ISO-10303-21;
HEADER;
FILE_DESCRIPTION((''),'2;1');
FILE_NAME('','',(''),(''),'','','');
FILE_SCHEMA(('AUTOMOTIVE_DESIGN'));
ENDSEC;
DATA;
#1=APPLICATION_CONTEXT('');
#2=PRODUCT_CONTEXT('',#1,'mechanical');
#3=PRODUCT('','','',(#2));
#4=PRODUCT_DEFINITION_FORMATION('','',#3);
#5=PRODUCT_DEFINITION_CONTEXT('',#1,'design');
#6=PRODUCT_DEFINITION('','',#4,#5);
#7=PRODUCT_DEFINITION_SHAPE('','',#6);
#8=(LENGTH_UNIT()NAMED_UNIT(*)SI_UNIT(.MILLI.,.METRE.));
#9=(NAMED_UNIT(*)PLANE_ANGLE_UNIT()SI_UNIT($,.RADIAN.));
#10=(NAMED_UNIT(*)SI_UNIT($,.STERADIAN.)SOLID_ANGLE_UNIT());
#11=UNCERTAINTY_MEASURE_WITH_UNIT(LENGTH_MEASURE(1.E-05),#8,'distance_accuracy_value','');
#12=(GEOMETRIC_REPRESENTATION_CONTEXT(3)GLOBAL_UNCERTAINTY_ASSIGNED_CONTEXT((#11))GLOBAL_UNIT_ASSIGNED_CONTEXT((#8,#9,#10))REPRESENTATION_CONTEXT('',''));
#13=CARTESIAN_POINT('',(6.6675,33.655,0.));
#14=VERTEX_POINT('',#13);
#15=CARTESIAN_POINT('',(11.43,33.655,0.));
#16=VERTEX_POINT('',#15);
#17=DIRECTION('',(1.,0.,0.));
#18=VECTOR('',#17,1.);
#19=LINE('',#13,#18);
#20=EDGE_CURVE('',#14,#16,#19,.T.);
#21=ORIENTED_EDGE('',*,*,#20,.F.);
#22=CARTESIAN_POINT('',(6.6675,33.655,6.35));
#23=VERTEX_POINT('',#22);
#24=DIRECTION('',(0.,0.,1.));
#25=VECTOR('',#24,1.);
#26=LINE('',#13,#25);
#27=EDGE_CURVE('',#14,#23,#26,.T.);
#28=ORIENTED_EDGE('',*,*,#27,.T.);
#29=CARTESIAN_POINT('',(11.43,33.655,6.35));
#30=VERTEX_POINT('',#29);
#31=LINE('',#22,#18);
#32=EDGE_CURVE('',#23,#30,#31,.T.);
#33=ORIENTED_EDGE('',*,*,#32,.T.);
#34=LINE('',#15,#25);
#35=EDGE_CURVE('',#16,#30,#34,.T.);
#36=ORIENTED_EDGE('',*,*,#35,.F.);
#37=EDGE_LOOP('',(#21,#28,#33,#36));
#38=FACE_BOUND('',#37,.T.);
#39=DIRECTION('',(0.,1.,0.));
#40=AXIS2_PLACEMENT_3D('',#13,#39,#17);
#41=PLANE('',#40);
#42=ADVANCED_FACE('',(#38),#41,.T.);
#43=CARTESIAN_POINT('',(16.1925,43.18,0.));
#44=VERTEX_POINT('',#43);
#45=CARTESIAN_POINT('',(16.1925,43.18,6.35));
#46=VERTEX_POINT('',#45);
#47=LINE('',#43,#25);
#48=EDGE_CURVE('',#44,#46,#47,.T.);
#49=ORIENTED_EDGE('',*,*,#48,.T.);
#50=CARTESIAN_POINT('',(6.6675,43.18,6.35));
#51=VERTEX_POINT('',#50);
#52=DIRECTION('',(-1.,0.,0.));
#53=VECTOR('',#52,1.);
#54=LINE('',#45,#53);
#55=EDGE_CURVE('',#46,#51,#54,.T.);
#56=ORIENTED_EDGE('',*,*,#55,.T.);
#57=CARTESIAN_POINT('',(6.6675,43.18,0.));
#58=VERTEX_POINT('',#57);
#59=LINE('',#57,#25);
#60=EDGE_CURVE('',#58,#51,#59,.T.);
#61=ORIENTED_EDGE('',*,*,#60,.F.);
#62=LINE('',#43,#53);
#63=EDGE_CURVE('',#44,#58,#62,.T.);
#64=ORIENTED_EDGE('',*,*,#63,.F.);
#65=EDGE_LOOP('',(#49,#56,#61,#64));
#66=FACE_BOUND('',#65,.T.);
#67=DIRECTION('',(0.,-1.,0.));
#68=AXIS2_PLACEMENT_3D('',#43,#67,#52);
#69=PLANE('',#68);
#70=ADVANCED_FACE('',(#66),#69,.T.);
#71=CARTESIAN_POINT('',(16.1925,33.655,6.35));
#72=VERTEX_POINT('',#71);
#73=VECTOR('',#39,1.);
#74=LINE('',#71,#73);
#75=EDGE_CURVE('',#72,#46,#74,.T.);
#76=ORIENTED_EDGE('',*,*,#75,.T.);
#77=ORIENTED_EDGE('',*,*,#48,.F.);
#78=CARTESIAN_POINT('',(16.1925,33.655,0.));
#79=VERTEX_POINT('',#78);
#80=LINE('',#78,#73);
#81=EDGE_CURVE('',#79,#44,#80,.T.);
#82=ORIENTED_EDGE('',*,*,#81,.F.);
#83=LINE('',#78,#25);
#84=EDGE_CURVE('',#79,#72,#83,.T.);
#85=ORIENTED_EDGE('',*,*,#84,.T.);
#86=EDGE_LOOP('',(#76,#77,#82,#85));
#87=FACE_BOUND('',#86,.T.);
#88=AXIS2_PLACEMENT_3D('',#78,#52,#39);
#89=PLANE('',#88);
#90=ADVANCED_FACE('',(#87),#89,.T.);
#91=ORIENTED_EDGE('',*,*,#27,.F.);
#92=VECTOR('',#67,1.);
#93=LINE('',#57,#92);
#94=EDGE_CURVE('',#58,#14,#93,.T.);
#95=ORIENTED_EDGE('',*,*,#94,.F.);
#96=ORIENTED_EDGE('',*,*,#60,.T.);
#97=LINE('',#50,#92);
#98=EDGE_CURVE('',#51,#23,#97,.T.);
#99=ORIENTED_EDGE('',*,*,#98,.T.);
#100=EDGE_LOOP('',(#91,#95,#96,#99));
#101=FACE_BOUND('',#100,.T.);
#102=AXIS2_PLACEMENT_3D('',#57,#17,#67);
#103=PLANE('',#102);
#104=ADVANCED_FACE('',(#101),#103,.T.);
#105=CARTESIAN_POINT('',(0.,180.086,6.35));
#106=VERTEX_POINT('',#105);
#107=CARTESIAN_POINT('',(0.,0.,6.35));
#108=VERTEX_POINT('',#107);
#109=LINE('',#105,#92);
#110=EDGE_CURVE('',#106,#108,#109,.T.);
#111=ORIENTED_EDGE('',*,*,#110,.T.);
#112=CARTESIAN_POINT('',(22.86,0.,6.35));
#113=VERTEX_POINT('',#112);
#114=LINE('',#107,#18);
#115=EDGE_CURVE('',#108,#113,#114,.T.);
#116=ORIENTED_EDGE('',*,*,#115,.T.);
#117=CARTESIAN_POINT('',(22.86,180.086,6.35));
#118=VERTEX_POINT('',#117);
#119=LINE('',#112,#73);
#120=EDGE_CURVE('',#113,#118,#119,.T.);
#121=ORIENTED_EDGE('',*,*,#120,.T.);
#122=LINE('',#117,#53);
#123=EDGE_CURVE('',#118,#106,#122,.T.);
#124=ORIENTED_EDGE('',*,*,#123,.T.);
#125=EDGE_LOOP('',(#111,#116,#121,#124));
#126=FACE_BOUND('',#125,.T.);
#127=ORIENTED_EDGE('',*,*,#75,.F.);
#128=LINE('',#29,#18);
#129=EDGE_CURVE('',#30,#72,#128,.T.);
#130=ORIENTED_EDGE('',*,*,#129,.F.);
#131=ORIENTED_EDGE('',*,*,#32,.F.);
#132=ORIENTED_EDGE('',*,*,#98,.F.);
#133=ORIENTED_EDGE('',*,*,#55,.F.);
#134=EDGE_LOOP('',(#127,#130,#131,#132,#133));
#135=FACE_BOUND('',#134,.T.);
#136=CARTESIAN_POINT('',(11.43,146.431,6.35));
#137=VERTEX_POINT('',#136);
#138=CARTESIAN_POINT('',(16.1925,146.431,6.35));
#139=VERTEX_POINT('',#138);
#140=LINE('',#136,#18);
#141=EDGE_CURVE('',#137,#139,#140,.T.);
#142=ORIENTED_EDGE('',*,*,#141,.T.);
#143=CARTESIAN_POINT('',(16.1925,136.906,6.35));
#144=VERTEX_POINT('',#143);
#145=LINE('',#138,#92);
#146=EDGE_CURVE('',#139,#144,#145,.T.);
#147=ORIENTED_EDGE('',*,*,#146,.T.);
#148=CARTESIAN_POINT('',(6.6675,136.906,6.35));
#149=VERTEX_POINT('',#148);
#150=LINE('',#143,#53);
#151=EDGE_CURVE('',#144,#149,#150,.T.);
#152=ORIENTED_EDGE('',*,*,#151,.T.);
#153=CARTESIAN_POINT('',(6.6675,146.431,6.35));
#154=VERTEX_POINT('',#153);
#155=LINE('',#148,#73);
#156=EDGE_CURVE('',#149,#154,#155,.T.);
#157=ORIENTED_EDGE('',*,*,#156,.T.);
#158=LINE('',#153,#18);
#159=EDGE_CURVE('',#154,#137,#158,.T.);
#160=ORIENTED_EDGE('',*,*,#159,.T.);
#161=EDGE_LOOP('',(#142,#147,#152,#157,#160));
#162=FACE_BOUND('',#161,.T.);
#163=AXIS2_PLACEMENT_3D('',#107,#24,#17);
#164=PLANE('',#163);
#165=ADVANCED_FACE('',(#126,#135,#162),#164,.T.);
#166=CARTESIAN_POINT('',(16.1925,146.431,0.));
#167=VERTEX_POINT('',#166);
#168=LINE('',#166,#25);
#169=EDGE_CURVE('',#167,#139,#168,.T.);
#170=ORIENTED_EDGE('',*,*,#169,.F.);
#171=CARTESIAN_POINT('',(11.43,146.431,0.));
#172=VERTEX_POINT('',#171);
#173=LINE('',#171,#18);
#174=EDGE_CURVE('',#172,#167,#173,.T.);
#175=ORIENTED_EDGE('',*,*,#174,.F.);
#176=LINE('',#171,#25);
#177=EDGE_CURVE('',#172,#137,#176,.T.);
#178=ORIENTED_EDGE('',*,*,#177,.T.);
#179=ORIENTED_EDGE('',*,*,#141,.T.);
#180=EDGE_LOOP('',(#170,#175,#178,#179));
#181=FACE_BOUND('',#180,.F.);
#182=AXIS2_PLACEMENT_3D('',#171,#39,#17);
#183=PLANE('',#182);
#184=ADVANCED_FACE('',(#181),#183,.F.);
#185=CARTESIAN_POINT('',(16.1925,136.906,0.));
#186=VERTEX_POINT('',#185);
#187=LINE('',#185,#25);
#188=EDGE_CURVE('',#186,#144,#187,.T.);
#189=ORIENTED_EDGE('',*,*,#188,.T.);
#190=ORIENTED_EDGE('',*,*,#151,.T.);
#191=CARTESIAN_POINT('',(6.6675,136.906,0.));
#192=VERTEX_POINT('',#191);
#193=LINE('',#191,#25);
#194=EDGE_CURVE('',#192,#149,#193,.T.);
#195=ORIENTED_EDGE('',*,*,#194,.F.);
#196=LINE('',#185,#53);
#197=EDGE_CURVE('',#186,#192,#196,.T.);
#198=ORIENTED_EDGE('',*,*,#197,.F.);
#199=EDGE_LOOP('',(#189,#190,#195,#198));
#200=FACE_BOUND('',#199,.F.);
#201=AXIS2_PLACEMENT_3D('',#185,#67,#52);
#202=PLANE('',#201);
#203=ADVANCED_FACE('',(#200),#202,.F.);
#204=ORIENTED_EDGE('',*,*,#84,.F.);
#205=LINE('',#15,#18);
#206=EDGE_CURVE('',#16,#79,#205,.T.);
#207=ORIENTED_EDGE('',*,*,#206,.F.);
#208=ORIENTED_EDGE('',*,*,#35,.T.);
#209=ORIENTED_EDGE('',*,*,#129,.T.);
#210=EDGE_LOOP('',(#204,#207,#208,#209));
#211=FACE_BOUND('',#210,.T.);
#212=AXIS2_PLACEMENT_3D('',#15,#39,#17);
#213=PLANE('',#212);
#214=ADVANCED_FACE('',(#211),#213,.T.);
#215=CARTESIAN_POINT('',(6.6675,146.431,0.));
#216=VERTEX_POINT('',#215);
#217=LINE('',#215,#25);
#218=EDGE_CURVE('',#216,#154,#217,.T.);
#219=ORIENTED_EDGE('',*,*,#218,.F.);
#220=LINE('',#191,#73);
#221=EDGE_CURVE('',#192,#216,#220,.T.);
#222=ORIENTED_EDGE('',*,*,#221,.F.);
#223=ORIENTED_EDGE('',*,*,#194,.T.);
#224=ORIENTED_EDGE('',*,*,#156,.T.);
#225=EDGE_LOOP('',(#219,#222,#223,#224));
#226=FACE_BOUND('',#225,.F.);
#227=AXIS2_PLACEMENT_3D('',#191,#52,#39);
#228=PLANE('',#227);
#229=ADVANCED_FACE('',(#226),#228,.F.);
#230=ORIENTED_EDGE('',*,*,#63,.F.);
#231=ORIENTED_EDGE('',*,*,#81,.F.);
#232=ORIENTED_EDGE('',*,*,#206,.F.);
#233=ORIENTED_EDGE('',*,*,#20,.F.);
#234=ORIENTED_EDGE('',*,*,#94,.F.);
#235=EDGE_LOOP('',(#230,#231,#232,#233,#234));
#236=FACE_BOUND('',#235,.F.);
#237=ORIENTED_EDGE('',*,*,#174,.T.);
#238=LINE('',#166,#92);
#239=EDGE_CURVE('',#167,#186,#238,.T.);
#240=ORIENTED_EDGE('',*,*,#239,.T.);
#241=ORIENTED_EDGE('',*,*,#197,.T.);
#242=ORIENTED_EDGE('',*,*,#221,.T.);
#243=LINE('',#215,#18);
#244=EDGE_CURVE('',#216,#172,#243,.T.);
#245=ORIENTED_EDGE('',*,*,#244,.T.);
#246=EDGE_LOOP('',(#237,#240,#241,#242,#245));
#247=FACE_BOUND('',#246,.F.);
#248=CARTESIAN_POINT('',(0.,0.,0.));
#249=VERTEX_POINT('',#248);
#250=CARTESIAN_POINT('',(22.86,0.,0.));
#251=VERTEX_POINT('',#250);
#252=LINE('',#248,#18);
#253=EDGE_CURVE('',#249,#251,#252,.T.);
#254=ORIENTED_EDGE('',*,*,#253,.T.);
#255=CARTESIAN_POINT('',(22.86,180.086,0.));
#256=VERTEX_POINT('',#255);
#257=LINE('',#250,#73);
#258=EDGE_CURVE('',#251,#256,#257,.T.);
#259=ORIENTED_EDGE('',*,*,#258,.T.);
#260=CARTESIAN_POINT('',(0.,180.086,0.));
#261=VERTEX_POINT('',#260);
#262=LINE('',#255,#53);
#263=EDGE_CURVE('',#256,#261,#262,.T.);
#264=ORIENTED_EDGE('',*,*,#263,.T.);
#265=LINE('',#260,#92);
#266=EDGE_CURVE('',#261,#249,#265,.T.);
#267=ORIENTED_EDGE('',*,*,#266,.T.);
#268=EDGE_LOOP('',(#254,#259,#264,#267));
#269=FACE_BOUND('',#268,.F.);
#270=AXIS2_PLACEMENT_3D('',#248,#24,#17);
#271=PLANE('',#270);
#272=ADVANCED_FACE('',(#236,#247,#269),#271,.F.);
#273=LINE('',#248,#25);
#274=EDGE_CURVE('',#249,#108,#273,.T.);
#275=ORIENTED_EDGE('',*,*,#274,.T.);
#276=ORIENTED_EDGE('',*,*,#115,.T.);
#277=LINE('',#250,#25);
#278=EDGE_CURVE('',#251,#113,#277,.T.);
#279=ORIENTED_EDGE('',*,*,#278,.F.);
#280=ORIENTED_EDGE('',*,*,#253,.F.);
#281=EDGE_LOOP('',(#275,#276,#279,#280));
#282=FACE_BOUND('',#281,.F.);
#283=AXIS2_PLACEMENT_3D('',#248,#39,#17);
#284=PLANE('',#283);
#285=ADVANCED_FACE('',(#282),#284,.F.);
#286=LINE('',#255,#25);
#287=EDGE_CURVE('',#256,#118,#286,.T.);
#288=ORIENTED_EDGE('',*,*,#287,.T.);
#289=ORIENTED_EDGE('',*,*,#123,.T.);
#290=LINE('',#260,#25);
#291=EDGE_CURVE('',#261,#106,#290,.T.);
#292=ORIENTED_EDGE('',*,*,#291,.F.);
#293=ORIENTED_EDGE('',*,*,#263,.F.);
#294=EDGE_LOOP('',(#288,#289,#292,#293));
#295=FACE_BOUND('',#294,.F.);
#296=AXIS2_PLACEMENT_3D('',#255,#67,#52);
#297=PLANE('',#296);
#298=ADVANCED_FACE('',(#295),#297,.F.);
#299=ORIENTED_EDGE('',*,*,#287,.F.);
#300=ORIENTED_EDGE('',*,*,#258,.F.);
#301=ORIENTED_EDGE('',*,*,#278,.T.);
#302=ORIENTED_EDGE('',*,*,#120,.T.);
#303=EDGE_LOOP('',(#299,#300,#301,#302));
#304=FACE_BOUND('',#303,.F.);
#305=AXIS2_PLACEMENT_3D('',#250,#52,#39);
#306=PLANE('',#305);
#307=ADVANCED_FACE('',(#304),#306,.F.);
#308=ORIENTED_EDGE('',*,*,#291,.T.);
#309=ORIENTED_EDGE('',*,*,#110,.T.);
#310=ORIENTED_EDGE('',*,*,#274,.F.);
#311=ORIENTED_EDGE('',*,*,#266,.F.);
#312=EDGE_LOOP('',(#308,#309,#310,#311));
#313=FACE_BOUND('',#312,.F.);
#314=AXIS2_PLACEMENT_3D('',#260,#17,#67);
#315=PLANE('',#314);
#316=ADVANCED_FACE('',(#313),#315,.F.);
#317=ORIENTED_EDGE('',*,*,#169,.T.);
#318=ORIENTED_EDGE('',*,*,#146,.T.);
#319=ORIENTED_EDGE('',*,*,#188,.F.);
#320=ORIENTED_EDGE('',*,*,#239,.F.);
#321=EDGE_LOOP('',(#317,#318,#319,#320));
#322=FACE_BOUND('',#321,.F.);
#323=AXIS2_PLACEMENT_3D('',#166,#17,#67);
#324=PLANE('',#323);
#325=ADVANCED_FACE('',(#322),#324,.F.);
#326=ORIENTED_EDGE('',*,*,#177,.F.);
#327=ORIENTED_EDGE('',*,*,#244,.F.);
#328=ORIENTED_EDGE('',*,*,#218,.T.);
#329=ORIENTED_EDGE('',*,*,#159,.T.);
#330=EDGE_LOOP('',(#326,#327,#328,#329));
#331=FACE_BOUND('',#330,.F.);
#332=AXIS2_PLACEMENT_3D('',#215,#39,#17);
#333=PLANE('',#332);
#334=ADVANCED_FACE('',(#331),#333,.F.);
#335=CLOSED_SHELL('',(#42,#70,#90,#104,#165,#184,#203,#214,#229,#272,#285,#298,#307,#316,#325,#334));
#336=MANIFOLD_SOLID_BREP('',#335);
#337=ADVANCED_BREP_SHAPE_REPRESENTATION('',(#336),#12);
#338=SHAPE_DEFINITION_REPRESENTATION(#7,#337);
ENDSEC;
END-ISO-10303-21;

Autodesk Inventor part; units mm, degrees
ref_plane "YZ Plane" through (0, 0, 0) normal (1, 0, 0) x (0, 1, 0)
ref_plane "XZ Plane" through (0, 0, 0) normal (0, 1, 0) x (-1, 0, 0)
ref_plane "XY Plane" through (0, 0, 0) normal (0, 0, 1) x (1, 0, 0)
sketch "Sketch1" plane through (0, 0, 0) normal (0, 0, 1) x (1, 0, 0)
  line L0 (0, 0) -> (22.86, 0)
  line L1 (22.86, 0) -> (22.86, 180.086)
  line L2 (22.86, 180.086) -> (0, 180.086)
  line L3 (0, 180.086) -> (0, 0)
  line L4 (0, 90.043) -> (22.86, 90.043) construction
  line L5 (11.43, 146.431) -> (16.1925, 146.431)
  line L6 (16.1925, 146.431) -> (16.1925, 136.906)
  line L7 (16.1925, 136.906) -> (6.6675, 136.906)
  line L8 (6.6675, 136.906) -> (6.6675, 146.431)
  line L9 (6.6675, 146.431) -> (11.43, 146.431)
  line L10 (11.43, 33.655) -> (16.1925, 33.655)
  line L11 (16.1925, 33.655) -> (16.1925, 43.18)
  line L12 (16.1925, 43.18) -> (6.6675, 43.18)
  line L13 (6.6675, 43.18) -> (6.6675, 33.655)
  line L14 (6.6675, 33.655) -> (11.43, 33.655)
  dimension "d0" = 22.86
  dimension "d1" = 180.086
  dimension "d13" = 4.7625
  dimension "d14" = 9.525
  dimension "d15" = 9.525
  dimension "d16" = 33.655
  dimension "d17" = 6.6675
extrude "Extrusion2" add sketch "Sketch1" along normal blind 6.35
properties part number "HopperSupportRod_v2"
